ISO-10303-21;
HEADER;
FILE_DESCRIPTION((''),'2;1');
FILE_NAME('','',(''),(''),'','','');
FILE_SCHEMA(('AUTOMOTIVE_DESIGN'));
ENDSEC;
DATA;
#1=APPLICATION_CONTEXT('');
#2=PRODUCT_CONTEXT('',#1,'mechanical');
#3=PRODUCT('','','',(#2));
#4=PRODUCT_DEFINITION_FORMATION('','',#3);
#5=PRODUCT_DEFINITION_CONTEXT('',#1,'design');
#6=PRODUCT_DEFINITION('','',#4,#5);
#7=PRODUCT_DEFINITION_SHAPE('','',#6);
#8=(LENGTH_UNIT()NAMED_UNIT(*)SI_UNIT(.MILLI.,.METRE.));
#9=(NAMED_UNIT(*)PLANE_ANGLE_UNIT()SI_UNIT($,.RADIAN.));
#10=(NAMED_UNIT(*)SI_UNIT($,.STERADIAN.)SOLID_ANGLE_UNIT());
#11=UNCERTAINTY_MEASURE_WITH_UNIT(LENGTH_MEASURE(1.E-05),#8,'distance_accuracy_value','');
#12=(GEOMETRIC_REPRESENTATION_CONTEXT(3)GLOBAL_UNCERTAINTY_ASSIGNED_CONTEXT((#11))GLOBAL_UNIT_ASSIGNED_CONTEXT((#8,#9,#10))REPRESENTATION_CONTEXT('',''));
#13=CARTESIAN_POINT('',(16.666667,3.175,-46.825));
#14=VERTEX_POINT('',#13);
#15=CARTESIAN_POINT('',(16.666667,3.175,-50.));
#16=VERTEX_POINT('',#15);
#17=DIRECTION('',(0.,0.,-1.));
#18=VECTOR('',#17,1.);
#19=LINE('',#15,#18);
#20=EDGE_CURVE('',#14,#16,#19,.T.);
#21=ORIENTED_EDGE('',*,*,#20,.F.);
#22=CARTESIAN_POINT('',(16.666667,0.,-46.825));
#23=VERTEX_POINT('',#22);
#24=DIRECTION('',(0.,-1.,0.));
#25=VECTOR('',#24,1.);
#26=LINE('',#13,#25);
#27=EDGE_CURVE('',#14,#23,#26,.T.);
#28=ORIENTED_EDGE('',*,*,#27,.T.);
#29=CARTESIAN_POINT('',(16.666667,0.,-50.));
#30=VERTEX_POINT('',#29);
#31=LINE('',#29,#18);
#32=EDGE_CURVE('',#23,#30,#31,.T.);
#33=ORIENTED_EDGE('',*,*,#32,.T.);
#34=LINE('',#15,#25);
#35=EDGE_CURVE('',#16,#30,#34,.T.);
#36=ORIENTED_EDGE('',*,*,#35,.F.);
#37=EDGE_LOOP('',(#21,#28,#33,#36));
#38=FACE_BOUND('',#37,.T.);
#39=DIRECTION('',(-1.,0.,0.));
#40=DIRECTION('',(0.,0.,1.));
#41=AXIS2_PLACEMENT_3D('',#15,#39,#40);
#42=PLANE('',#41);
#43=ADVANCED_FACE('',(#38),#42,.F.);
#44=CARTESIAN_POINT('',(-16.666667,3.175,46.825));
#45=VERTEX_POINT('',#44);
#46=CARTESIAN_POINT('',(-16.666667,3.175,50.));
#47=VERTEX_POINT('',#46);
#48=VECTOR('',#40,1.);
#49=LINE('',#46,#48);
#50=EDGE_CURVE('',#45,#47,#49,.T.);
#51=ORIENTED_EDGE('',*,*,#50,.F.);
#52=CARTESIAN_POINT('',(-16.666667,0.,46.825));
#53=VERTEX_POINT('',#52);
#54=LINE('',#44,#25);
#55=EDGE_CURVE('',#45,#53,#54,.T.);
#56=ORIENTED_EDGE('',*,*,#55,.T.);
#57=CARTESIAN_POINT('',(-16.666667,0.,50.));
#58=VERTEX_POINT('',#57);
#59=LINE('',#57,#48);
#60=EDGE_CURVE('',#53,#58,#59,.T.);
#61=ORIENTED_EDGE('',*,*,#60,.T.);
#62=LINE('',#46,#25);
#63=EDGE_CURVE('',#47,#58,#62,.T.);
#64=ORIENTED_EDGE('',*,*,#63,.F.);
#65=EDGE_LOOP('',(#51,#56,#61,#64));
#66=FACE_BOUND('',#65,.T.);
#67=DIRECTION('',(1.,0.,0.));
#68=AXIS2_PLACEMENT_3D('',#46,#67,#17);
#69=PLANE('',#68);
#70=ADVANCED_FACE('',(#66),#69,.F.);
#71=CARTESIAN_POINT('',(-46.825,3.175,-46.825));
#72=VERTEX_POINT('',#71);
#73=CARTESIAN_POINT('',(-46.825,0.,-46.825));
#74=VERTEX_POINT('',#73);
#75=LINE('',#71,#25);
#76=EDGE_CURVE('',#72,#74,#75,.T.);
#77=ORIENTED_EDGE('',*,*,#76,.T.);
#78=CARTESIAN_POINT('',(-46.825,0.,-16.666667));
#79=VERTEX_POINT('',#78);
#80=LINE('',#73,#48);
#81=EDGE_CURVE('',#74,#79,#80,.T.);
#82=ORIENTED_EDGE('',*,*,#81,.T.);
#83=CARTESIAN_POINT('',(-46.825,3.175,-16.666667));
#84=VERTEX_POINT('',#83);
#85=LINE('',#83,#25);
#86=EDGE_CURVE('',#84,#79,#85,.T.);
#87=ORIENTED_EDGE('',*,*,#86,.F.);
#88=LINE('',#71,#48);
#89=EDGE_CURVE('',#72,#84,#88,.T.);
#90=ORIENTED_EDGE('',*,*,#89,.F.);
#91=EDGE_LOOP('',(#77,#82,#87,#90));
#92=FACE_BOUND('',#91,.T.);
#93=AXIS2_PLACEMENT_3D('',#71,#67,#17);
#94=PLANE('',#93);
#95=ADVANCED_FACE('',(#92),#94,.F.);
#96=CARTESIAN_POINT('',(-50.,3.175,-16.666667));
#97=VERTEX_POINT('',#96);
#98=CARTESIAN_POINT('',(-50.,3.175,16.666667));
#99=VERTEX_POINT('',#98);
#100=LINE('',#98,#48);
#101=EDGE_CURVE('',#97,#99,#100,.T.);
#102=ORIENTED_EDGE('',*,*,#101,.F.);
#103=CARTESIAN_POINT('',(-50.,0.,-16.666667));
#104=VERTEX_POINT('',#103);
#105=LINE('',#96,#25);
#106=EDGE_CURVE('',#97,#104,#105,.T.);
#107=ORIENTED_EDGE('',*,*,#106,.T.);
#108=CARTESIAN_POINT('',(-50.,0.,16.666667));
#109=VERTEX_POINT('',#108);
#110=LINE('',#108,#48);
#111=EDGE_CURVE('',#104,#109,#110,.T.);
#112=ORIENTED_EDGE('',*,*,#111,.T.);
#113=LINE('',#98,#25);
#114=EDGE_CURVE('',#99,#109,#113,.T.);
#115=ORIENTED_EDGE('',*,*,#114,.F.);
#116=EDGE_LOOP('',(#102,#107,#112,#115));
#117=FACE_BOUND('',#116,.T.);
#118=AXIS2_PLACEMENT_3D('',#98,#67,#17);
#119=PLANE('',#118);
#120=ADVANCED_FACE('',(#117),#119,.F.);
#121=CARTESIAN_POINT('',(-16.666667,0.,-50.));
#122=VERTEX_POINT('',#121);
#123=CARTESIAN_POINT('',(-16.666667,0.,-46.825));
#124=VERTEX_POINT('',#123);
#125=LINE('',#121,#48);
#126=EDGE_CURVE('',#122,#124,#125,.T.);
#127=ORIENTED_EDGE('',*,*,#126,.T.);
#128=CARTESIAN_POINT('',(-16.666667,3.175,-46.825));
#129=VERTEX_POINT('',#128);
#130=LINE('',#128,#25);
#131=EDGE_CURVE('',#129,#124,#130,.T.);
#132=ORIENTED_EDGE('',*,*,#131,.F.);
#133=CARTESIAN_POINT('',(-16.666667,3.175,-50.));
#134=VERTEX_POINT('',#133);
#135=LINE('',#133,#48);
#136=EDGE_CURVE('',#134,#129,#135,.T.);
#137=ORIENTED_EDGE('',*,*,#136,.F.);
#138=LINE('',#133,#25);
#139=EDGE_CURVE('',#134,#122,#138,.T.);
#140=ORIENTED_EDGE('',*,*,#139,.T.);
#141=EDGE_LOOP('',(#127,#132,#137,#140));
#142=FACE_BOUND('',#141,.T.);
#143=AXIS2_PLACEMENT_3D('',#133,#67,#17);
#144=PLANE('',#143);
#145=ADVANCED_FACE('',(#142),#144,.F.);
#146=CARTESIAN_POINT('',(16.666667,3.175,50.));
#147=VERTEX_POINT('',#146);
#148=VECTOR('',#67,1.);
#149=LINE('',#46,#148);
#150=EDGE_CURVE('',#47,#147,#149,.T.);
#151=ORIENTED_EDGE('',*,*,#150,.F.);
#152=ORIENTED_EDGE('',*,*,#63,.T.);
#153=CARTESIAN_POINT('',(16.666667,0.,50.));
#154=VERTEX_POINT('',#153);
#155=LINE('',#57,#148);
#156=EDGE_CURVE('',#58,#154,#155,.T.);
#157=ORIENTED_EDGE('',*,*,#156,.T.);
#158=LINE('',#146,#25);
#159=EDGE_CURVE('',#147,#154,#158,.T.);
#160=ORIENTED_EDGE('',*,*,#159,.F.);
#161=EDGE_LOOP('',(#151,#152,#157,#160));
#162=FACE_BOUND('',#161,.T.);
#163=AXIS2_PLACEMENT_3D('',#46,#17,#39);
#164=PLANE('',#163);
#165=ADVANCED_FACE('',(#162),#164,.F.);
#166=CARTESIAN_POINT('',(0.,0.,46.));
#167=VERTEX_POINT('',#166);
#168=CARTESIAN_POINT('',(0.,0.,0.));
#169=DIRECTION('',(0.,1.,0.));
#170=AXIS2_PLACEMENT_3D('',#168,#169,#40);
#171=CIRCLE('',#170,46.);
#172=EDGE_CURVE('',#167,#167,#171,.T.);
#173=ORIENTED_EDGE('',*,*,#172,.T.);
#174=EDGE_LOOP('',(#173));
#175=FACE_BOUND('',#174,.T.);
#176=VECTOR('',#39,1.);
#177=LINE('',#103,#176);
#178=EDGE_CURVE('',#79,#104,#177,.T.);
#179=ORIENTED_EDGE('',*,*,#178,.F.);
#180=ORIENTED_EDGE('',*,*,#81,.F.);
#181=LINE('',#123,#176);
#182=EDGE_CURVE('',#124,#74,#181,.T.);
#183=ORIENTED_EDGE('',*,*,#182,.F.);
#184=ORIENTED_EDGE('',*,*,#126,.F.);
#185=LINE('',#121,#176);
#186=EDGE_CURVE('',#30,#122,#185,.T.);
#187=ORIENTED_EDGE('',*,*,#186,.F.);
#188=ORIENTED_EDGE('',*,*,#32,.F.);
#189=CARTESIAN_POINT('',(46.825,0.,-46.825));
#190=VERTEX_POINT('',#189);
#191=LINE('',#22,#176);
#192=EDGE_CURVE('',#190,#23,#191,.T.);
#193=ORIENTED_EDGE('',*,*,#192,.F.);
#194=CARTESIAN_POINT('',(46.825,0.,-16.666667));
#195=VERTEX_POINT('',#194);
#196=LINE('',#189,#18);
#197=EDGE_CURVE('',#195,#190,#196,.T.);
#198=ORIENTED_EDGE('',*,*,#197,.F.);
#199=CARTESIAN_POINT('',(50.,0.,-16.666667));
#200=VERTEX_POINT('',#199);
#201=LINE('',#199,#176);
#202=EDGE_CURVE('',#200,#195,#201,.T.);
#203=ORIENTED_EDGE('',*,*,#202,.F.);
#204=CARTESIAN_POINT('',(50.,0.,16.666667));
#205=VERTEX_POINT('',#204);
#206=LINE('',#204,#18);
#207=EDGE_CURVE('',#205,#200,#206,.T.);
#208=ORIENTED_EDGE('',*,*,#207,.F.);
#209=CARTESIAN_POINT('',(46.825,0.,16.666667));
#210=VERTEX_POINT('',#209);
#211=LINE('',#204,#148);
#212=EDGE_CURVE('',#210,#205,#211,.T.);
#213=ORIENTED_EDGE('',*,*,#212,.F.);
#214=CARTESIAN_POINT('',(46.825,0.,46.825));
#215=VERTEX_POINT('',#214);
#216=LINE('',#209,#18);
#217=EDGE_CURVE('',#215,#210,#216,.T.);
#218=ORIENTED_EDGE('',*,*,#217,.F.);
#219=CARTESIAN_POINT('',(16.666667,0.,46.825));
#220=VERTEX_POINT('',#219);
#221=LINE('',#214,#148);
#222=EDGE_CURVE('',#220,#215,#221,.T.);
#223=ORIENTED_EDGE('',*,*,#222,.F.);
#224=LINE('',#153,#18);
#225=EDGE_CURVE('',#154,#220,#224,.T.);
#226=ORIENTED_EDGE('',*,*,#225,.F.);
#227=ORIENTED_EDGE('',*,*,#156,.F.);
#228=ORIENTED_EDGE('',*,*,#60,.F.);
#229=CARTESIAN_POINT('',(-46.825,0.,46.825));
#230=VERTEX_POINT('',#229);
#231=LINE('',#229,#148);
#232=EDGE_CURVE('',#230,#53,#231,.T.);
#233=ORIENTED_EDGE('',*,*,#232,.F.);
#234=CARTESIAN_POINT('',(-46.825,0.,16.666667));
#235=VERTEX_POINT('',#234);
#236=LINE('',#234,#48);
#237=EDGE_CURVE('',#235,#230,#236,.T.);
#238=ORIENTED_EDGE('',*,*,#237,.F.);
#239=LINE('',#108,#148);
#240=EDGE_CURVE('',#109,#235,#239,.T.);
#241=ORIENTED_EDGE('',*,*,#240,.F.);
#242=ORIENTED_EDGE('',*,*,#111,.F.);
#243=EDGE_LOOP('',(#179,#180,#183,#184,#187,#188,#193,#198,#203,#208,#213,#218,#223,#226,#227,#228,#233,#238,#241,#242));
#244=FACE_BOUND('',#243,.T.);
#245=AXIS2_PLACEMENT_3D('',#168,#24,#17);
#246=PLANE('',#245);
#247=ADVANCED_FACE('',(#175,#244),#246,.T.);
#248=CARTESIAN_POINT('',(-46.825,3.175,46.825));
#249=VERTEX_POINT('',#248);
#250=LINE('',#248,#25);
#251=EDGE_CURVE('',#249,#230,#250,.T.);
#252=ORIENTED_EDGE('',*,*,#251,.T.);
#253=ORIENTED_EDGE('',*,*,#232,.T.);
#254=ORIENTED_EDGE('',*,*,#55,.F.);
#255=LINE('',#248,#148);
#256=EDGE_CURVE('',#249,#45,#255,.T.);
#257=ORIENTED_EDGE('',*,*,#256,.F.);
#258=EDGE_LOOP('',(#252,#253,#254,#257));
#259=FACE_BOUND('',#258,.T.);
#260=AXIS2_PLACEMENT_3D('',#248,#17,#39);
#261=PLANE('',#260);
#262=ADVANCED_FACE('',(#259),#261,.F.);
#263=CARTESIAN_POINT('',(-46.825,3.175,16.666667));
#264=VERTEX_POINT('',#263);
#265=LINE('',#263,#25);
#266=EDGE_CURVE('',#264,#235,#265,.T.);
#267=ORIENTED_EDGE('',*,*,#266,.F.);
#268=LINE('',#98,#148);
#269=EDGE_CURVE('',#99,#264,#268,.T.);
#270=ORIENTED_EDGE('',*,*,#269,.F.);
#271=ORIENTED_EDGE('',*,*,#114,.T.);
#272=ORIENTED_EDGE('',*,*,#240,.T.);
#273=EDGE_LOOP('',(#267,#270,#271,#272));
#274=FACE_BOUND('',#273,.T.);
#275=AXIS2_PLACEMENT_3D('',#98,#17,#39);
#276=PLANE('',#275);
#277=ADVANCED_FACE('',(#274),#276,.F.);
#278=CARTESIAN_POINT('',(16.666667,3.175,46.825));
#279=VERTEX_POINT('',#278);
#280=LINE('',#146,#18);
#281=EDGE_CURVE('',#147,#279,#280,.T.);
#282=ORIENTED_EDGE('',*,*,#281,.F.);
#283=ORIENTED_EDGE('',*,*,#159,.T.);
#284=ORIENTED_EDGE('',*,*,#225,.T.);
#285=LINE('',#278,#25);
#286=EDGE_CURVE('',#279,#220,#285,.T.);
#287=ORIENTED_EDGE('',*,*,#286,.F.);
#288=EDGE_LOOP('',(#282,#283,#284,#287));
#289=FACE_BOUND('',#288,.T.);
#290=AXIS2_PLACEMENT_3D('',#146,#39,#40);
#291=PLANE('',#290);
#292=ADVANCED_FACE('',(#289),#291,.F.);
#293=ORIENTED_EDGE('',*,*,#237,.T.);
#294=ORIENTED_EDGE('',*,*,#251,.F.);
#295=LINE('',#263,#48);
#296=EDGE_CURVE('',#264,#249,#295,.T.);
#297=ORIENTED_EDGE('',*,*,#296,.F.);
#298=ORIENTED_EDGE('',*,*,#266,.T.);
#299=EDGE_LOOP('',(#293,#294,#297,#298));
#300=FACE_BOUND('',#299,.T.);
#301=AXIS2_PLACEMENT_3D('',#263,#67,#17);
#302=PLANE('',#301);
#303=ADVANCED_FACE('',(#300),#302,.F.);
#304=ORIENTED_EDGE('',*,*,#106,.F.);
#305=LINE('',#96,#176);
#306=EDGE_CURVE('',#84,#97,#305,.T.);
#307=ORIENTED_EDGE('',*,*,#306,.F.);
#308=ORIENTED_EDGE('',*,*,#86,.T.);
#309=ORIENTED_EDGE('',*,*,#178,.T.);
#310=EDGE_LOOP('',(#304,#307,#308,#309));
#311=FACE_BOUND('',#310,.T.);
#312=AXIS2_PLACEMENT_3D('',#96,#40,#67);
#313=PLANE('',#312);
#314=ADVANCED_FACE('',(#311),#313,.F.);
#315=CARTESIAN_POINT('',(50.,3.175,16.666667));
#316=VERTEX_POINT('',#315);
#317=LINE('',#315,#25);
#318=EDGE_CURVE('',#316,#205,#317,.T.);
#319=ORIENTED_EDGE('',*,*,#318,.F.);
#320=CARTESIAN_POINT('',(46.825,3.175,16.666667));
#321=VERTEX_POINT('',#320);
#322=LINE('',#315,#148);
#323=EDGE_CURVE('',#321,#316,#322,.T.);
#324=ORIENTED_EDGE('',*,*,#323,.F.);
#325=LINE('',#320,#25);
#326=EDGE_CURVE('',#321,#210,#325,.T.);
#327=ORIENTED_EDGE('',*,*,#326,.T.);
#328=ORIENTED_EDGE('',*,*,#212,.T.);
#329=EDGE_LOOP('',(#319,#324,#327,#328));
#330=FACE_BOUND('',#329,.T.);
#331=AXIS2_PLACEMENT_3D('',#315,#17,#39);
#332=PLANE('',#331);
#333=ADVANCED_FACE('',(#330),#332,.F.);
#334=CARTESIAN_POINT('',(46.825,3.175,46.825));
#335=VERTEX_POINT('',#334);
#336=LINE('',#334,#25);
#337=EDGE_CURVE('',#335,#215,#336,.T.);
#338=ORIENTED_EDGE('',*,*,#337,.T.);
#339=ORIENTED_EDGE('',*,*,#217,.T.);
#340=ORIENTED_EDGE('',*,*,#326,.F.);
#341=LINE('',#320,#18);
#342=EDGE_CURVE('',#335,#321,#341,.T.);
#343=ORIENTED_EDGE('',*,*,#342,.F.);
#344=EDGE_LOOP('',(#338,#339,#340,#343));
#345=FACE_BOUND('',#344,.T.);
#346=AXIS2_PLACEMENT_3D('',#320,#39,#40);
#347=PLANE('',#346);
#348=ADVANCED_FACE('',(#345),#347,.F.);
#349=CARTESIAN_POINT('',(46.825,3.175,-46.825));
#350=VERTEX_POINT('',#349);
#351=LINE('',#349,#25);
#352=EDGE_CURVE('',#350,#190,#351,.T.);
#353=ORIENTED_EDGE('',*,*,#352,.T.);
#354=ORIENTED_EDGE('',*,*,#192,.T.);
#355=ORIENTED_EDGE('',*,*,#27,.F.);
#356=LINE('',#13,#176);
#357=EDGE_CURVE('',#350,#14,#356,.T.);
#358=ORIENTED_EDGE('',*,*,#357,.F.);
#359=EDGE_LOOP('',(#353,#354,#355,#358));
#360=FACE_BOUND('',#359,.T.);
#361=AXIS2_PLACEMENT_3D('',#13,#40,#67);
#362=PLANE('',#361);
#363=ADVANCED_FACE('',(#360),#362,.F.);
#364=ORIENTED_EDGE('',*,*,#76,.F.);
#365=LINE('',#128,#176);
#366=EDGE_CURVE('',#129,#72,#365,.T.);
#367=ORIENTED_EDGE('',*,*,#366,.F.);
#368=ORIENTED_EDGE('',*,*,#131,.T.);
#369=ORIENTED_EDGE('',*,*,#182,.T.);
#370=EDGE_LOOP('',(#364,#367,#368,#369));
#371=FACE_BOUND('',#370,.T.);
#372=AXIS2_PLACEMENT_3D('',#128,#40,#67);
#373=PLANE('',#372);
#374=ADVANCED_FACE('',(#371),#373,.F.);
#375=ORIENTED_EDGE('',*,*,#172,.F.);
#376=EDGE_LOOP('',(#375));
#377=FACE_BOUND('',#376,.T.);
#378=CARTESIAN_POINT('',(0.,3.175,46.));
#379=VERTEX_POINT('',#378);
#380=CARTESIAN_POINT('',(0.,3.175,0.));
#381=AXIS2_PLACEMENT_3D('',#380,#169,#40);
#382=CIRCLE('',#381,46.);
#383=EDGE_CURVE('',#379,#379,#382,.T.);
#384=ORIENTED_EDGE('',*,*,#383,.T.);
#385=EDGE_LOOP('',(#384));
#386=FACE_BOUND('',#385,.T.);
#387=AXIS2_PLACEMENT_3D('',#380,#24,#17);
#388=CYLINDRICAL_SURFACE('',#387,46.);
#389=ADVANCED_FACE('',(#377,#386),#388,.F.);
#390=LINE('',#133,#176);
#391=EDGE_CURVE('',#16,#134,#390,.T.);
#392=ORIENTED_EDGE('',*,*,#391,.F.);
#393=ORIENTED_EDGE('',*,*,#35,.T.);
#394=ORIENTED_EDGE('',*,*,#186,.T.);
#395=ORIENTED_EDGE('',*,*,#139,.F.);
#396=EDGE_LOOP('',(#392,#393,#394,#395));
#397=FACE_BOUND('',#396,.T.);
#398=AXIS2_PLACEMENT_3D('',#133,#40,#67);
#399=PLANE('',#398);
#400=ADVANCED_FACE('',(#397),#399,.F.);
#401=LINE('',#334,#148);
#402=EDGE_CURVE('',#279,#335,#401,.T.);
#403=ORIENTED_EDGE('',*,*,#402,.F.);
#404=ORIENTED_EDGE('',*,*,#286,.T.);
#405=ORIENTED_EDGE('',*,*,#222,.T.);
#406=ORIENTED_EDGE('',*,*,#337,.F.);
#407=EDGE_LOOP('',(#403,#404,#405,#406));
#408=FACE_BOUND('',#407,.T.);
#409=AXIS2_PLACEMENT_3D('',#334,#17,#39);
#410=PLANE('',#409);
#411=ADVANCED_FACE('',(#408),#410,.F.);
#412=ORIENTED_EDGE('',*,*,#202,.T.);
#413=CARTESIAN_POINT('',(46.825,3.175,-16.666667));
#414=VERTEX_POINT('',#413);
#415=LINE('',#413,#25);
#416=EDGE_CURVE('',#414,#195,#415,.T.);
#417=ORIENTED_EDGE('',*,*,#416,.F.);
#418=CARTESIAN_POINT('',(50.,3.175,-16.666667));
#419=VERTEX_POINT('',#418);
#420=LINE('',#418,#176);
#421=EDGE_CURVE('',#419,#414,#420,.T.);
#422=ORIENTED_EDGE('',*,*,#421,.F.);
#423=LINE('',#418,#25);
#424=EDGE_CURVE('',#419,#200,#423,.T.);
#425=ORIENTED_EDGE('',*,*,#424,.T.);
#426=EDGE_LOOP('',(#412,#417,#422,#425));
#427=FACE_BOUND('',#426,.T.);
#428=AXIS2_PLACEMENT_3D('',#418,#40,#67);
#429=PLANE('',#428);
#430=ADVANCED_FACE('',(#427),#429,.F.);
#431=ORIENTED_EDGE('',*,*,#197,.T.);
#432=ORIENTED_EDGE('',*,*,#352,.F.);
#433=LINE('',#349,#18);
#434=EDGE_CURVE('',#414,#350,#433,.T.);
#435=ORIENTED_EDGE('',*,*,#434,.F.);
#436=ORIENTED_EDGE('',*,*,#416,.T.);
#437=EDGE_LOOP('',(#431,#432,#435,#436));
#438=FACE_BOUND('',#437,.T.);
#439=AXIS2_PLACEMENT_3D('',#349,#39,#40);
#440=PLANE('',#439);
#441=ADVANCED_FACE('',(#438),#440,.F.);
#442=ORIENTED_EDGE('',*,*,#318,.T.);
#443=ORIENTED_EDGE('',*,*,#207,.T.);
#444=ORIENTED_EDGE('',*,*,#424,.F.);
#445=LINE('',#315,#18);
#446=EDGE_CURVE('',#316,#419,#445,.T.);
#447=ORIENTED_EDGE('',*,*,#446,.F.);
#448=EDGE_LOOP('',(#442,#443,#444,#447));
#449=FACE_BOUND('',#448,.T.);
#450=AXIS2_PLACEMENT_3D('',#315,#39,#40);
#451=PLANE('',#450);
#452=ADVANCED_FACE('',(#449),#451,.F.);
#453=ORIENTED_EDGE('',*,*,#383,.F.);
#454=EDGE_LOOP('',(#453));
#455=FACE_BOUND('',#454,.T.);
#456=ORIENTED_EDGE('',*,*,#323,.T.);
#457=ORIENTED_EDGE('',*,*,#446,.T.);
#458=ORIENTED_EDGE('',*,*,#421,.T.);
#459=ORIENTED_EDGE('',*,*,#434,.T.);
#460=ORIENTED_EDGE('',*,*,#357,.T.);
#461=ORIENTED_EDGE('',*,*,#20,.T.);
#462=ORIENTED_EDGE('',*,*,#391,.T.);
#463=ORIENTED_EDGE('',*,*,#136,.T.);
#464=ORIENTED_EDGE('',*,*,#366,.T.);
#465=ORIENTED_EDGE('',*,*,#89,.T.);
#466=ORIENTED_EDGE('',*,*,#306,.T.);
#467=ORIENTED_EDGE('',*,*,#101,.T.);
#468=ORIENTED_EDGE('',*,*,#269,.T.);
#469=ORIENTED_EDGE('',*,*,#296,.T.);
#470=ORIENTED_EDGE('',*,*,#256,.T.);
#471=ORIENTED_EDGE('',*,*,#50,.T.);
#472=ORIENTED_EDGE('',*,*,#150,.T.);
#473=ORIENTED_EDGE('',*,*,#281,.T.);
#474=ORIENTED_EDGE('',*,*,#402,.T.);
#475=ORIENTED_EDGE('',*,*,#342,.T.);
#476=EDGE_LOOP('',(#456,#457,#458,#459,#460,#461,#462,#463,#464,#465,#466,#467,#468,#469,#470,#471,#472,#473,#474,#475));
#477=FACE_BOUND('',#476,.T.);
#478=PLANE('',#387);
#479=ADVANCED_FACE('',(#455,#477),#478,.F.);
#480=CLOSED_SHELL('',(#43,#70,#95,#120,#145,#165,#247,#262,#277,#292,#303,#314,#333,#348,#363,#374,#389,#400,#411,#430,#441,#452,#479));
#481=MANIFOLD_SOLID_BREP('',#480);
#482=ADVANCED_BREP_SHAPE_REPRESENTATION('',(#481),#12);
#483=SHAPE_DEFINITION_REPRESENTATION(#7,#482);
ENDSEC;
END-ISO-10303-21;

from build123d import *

# Parameters (mm, degrees)
SKETCH2_R           = 46
BOSS_EXTRUDE1_DEPTH = 3.175


with BuildPart() as part:
    # Sketch2 → Boss-Extrude1 (new body)
    with BuildSketch(Plane(origin=(0, 0, 0), x_dir=(1, 0, 0), z_dir=(0, 1, 0))):
        Polygon((-50, -16.666666667), (-50, 16.666666667), (-46.825, 16.666666667), (-46.825, 46.825), (-16.666666667, 46.825), (-16.666666667, 50), (16.666666667, 50), (16.666666667, 46.825), (46.825, 46.825), (46.825, 16.666666667), (50, 16.666666667), (50, -16.666666667), (46.825, -16.666666667), (46.825, -46.825), (16.666666667, -46.825), (16.666666667, -50), (-16.666666667, -50), (-16.666666667, -46.825), (-46.825, -46.825), (-46.825, -16.666666667), align=None)
        Circle(SKETCH2_R, mode=Mode.SUBTRACT)
    extrude(amount=BOSS_EXTRUDE1_DEPTH)


solid = part.part
